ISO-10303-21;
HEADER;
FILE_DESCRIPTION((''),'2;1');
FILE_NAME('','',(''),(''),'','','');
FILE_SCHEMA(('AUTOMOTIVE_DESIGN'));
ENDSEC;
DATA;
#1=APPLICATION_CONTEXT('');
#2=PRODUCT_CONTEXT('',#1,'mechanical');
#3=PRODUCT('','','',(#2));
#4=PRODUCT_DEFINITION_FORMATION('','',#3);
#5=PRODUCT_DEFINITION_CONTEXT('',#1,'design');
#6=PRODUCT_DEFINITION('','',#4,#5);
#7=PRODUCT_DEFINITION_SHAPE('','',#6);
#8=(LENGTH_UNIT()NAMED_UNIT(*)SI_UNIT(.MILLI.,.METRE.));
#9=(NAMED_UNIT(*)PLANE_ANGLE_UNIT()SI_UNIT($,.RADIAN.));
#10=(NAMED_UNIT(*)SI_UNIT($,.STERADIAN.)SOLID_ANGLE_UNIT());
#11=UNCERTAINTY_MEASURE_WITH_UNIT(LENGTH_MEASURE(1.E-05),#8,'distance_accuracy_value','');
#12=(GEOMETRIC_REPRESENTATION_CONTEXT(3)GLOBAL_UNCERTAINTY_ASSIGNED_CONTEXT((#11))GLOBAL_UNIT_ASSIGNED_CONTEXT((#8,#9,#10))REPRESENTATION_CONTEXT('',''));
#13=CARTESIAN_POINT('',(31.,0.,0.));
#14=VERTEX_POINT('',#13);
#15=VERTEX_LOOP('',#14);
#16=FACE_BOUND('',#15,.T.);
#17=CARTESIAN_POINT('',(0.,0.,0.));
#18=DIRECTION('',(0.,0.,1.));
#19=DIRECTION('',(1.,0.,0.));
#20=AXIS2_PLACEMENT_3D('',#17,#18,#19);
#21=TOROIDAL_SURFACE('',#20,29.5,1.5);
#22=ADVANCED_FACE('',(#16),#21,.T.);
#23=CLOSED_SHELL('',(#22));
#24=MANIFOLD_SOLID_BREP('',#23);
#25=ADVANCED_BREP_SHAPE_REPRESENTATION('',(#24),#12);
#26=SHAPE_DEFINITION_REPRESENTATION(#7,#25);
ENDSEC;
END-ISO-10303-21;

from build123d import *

# Parameters (mm, degrees)
SKETCH1_R = 1.5


with BuildPart() as part:
    # Sketch1 → Revolve1 (revolve)
    with BuildSketch(Plane(origin=(0, 0, 0), x_dir=(0, -1, 0), z_dir=(1, 0, 0)), mode=Mode.PRIVATE) as revolve1_sk:
        with Locations((29.5, 0)):
            Circle(SKETCH1_R)
    revolve(revolve1_sk.sketch.rotate(Axis((0, 0, 1.5), (0, 0, -1)), 270), axis=Axis((0, 0, 1.5), (0, 0, -1)))


solid = part.part
